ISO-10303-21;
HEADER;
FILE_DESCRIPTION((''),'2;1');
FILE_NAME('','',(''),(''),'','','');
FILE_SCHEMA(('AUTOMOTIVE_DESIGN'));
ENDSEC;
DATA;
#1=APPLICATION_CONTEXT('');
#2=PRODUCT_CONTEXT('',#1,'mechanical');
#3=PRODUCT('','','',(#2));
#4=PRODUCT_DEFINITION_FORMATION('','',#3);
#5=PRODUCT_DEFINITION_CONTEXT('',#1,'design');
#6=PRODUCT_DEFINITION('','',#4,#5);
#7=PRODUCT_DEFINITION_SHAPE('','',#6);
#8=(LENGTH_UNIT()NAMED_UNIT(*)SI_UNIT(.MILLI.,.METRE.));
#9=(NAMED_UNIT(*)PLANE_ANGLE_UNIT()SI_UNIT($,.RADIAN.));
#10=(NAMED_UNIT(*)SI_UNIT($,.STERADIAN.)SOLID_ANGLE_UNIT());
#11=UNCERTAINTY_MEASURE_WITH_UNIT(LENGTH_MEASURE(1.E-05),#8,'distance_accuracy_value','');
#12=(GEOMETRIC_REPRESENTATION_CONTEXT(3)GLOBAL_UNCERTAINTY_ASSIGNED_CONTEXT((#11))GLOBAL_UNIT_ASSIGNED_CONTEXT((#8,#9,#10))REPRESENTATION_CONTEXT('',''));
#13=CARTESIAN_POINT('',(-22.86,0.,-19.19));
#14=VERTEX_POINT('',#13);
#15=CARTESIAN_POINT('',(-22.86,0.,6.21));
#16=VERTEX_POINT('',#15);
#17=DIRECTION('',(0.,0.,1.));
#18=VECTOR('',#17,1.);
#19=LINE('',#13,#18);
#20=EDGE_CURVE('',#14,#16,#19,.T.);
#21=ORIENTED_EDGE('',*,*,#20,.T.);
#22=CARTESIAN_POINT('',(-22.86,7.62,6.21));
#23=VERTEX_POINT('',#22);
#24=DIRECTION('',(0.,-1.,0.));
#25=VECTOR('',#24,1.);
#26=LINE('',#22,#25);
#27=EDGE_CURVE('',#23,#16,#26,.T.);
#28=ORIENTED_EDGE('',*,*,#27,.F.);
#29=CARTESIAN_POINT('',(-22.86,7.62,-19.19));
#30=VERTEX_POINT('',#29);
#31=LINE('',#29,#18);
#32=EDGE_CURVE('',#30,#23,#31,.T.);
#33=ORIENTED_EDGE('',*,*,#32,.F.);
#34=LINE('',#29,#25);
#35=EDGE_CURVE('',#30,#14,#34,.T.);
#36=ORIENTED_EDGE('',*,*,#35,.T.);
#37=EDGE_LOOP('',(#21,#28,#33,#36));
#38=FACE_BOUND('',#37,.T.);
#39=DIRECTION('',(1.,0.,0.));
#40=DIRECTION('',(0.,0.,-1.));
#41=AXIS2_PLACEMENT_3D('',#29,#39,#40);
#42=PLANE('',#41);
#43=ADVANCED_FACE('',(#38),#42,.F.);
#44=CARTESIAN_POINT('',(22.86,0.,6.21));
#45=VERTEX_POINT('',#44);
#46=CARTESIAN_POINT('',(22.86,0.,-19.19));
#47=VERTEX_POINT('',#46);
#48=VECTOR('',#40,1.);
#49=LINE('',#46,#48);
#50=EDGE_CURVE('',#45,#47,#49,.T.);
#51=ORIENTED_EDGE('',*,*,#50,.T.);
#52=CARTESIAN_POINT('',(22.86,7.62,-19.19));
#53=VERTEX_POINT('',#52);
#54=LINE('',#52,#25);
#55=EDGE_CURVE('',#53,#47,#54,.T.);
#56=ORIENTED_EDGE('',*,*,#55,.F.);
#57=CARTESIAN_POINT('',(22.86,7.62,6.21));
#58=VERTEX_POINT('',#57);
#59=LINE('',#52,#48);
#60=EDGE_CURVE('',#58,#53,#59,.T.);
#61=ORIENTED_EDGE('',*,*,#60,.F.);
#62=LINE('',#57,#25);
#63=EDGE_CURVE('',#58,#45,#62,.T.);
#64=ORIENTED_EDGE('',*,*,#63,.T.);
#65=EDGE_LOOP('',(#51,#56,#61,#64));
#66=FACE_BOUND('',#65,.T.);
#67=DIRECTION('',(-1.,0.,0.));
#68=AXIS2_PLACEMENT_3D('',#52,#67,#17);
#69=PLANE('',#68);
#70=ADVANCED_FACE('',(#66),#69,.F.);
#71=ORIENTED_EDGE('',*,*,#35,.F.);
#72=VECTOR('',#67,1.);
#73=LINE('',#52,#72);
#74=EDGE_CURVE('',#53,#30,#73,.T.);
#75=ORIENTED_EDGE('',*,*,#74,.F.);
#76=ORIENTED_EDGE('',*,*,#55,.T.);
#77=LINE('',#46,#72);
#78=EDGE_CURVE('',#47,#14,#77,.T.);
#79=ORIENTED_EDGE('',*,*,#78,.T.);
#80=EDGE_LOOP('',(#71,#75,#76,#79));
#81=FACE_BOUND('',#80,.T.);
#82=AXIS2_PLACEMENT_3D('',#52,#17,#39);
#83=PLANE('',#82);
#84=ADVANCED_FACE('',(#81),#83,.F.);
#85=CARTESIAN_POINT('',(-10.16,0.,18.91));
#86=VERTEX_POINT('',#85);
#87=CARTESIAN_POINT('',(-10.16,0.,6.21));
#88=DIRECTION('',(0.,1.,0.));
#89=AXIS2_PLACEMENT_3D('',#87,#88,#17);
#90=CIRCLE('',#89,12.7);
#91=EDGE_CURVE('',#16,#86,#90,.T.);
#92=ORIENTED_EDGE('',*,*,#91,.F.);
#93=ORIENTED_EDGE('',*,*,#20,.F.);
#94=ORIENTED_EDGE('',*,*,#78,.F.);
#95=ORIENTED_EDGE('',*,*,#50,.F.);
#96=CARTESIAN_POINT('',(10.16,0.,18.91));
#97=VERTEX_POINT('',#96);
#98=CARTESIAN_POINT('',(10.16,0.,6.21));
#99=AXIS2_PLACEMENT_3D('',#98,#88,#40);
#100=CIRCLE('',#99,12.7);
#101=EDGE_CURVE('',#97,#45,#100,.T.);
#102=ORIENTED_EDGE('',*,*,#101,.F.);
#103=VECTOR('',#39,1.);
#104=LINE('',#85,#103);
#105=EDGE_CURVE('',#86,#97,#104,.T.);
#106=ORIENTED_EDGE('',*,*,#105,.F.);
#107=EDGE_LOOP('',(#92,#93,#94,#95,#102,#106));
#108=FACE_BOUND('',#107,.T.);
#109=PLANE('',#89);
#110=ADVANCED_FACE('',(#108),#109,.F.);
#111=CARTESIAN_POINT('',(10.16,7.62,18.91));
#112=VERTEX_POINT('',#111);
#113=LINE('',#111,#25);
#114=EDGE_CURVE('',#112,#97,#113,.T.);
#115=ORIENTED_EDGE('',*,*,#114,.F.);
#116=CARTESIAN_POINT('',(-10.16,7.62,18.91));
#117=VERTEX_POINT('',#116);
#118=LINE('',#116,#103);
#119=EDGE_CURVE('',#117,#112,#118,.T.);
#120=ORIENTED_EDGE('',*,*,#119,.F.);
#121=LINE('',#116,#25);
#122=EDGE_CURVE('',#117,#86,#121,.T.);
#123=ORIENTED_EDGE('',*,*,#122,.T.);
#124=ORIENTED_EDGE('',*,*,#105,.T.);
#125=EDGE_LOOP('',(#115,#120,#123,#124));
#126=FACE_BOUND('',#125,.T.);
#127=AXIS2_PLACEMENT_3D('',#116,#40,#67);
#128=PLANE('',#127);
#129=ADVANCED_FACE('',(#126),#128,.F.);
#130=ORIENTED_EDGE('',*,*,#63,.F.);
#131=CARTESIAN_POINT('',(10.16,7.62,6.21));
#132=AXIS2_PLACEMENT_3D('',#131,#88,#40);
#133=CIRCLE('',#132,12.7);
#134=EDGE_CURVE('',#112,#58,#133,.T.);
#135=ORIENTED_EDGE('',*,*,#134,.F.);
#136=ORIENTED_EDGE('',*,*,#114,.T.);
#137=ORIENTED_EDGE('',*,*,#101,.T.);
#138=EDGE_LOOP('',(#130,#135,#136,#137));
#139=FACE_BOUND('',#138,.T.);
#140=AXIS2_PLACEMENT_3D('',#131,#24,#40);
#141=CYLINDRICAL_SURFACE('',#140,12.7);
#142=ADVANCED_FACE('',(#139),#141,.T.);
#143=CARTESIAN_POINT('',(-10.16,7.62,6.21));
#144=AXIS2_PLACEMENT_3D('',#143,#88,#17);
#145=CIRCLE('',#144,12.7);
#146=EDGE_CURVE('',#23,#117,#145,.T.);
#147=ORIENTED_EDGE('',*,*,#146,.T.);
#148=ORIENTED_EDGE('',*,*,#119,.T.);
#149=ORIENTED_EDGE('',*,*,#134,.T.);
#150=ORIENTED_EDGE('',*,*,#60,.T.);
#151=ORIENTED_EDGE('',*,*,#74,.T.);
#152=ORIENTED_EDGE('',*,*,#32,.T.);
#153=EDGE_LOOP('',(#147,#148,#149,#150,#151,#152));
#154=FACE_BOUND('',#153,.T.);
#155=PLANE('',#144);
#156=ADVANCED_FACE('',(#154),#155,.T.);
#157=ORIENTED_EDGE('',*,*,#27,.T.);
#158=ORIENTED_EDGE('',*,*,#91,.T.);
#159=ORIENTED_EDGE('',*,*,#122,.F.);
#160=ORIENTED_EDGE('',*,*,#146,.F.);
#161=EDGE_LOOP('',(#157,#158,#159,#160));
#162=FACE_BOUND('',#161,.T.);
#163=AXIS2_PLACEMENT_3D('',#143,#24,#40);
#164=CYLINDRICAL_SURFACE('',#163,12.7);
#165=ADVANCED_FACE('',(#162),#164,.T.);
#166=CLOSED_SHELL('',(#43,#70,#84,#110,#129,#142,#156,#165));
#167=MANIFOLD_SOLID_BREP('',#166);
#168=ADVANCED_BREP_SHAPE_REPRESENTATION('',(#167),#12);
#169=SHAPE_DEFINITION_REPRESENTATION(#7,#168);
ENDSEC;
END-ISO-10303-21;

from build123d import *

# Parameters (mm, degrees)
BOSS_EXTRUDE1_DEPTH = 7.62


with BuildPart() as part:
    # Sketch1 → Boss-Extrude1 (new body)
    with BuildSketch(Plane(origin=(0, 0, 0), x_dir=(1, 0, 0), z_dir=(0, 1, 0))):
        with BuildLine():
            Line((22.86, 19.19), (-22.86, 19.19))
            Line((-22.86, 19.19), (-22.86, -6.21))
            ThreePointArc((-22.86, -6.21), (-19.140256121, -15.190256121), (-10.16, -18.91))
            Line((-10.16, -18.91), (10.16, -18.91))
            ThreePointArc((10.16, -18.91), (19.140256121, -15.190256121), (22.86, -6.21))
            Line((22.86, -6.21), (22.86, 19.19))
        make_face()
    extrude(amount=BOSS_EXTRUDE1_DEPTH)


solid = part.part
